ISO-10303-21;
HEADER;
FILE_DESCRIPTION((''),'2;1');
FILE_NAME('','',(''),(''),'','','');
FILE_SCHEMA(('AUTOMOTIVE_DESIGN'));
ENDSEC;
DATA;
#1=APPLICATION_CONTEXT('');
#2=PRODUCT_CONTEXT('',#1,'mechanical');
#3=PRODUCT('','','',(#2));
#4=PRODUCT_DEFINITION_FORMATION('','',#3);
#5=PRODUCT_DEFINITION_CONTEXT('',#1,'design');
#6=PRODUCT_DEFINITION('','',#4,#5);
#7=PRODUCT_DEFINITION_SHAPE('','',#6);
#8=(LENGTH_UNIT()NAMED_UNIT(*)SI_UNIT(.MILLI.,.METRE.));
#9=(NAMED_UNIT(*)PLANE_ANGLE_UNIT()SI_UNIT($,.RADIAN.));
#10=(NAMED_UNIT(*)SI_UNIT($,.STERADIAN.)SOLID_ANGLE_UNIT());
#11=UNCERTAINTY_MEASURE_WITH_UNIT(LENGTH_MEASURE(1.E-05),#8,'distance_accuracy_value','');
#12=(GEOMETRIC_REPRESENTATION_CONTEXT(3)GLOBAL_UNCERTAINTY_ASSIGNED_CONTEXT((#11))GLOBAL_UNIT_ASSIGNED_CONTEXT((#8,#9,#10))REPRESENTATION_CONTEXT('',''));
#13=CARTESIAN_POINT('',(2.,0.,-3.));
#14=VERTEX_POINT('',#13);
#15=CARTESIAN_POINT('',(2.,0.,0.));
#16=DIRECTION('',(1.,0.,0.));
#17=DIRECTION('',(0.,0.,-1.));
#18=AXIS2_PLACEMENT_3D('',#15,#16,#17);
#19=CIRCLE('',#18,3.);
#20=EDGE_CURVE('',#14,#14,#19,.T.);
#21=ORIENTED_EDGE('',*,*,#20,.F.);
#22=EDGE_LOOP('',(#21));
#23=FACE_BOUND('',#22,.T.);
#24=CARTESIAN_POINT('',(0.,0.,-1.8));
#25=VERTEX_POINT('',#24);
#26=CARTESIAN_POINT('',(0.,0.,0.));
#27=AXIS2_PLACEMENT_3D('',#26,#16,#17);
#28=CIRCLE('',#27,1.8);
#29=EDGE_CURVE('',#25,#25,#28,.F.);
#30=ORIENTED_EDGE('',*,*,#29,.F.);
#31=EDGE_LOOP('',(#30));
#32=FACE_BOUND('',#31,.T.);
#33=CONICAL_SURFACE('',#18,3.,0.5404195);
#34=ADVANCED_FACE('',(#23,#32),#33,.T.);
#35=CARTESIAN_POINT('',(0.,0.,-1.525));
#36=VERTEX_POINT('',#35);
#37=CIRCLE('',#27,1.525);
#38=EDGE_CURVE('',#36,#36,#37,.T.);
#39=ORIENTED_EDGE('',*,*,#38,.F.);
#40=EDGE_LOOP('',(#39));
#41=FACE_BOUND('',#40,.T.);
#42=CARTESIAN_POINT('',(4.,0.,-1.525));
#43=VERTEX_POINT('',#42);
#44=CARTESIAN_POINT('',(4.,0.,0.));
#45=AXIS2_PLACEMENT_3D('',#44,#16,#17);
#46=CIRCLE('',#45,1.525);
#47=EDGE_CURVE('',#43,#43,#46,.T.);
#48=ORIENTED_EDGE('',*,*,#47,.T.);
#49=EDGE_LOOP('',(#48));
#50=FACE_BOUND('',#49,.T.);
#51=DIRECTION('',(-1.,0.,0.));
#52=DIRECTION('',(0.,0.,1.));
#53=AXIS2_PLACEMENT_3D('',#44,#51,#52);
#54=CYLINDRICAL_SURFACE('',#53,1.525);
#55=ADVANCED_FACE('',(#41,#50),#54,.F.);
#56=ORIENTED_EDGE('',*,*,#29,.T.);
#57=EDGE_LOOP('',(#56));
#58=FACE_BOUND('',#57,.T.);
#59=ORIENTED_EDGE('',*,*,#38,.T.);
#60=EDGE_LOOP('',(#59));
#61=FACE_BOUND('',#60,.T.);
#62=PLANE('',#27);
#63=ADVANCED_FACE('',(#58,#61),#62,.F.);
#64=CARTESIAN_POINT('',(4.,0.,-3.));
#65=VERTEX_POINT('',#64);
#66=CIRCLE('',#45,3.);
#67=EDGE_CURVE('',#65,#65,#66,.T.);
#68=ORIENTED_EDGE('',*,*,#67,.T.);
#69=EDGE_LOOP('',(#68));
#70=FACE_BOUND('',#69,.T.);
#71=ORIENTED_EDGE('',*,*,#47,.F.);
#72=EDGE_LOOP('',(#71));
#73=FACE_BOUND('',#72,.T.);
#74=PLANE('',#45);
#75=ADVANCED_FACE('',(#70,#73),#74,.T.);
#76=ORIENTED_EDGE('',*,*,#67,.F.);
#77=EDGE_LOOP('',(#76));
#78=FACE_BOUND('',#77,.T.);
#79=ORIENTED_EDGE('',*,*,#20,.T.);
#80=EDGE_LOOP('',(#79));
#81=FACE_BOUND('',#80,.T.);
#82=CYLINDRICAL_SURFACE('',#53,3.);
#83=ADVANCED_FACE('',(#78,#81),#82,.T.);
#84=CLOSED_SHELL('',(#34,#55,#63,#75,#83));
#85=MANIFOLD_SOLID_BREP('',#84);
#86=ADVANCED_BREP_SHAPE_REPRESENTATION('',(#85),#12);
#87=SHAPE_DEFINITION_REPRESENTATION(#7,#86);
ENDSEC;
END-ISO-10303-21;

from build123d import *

# Parameters (mm, degrees)
SKETCH1_R           = 3
SKETCH1_R_2         = 1.525
BOSS_EXTRUDE1_DEPTH = 4
CHAMFER1_SIZE       = 1.2
CHAMFER1_SIZE2      = 2


with BuildPart() as part:
    # Sketch1 → Boss-Extrude1 (new body)
    with BuildSketch(Plane(origin=(0, 0, 0), x_dir=(0, 0, -1), z_dir=(1, 0, 0))):
        Circle(SKETCH1_R)
        Circle(SKETCH1_R_2, mode=Mode.SUBTRACT)
    extrude(amount=BOSS_EXTRUDE1_DEPTH)

    # Chamfer1
    chamfer1_edges = [part.edges().sort_by_distance(p)[0] for p in [
        (0, 0, 3),
    ]]
    chamfer1_side = [part.faces().sort_by_distance(p)[0] for p in [
        (0, 0, 2.915147186),
    ]]
    chamfer(chamfer1_edges, length=CHAMFER1_SIZE, length2=CHAMFER1_SIZE2, reference=chamfer1_side[0])


solid = part.part
